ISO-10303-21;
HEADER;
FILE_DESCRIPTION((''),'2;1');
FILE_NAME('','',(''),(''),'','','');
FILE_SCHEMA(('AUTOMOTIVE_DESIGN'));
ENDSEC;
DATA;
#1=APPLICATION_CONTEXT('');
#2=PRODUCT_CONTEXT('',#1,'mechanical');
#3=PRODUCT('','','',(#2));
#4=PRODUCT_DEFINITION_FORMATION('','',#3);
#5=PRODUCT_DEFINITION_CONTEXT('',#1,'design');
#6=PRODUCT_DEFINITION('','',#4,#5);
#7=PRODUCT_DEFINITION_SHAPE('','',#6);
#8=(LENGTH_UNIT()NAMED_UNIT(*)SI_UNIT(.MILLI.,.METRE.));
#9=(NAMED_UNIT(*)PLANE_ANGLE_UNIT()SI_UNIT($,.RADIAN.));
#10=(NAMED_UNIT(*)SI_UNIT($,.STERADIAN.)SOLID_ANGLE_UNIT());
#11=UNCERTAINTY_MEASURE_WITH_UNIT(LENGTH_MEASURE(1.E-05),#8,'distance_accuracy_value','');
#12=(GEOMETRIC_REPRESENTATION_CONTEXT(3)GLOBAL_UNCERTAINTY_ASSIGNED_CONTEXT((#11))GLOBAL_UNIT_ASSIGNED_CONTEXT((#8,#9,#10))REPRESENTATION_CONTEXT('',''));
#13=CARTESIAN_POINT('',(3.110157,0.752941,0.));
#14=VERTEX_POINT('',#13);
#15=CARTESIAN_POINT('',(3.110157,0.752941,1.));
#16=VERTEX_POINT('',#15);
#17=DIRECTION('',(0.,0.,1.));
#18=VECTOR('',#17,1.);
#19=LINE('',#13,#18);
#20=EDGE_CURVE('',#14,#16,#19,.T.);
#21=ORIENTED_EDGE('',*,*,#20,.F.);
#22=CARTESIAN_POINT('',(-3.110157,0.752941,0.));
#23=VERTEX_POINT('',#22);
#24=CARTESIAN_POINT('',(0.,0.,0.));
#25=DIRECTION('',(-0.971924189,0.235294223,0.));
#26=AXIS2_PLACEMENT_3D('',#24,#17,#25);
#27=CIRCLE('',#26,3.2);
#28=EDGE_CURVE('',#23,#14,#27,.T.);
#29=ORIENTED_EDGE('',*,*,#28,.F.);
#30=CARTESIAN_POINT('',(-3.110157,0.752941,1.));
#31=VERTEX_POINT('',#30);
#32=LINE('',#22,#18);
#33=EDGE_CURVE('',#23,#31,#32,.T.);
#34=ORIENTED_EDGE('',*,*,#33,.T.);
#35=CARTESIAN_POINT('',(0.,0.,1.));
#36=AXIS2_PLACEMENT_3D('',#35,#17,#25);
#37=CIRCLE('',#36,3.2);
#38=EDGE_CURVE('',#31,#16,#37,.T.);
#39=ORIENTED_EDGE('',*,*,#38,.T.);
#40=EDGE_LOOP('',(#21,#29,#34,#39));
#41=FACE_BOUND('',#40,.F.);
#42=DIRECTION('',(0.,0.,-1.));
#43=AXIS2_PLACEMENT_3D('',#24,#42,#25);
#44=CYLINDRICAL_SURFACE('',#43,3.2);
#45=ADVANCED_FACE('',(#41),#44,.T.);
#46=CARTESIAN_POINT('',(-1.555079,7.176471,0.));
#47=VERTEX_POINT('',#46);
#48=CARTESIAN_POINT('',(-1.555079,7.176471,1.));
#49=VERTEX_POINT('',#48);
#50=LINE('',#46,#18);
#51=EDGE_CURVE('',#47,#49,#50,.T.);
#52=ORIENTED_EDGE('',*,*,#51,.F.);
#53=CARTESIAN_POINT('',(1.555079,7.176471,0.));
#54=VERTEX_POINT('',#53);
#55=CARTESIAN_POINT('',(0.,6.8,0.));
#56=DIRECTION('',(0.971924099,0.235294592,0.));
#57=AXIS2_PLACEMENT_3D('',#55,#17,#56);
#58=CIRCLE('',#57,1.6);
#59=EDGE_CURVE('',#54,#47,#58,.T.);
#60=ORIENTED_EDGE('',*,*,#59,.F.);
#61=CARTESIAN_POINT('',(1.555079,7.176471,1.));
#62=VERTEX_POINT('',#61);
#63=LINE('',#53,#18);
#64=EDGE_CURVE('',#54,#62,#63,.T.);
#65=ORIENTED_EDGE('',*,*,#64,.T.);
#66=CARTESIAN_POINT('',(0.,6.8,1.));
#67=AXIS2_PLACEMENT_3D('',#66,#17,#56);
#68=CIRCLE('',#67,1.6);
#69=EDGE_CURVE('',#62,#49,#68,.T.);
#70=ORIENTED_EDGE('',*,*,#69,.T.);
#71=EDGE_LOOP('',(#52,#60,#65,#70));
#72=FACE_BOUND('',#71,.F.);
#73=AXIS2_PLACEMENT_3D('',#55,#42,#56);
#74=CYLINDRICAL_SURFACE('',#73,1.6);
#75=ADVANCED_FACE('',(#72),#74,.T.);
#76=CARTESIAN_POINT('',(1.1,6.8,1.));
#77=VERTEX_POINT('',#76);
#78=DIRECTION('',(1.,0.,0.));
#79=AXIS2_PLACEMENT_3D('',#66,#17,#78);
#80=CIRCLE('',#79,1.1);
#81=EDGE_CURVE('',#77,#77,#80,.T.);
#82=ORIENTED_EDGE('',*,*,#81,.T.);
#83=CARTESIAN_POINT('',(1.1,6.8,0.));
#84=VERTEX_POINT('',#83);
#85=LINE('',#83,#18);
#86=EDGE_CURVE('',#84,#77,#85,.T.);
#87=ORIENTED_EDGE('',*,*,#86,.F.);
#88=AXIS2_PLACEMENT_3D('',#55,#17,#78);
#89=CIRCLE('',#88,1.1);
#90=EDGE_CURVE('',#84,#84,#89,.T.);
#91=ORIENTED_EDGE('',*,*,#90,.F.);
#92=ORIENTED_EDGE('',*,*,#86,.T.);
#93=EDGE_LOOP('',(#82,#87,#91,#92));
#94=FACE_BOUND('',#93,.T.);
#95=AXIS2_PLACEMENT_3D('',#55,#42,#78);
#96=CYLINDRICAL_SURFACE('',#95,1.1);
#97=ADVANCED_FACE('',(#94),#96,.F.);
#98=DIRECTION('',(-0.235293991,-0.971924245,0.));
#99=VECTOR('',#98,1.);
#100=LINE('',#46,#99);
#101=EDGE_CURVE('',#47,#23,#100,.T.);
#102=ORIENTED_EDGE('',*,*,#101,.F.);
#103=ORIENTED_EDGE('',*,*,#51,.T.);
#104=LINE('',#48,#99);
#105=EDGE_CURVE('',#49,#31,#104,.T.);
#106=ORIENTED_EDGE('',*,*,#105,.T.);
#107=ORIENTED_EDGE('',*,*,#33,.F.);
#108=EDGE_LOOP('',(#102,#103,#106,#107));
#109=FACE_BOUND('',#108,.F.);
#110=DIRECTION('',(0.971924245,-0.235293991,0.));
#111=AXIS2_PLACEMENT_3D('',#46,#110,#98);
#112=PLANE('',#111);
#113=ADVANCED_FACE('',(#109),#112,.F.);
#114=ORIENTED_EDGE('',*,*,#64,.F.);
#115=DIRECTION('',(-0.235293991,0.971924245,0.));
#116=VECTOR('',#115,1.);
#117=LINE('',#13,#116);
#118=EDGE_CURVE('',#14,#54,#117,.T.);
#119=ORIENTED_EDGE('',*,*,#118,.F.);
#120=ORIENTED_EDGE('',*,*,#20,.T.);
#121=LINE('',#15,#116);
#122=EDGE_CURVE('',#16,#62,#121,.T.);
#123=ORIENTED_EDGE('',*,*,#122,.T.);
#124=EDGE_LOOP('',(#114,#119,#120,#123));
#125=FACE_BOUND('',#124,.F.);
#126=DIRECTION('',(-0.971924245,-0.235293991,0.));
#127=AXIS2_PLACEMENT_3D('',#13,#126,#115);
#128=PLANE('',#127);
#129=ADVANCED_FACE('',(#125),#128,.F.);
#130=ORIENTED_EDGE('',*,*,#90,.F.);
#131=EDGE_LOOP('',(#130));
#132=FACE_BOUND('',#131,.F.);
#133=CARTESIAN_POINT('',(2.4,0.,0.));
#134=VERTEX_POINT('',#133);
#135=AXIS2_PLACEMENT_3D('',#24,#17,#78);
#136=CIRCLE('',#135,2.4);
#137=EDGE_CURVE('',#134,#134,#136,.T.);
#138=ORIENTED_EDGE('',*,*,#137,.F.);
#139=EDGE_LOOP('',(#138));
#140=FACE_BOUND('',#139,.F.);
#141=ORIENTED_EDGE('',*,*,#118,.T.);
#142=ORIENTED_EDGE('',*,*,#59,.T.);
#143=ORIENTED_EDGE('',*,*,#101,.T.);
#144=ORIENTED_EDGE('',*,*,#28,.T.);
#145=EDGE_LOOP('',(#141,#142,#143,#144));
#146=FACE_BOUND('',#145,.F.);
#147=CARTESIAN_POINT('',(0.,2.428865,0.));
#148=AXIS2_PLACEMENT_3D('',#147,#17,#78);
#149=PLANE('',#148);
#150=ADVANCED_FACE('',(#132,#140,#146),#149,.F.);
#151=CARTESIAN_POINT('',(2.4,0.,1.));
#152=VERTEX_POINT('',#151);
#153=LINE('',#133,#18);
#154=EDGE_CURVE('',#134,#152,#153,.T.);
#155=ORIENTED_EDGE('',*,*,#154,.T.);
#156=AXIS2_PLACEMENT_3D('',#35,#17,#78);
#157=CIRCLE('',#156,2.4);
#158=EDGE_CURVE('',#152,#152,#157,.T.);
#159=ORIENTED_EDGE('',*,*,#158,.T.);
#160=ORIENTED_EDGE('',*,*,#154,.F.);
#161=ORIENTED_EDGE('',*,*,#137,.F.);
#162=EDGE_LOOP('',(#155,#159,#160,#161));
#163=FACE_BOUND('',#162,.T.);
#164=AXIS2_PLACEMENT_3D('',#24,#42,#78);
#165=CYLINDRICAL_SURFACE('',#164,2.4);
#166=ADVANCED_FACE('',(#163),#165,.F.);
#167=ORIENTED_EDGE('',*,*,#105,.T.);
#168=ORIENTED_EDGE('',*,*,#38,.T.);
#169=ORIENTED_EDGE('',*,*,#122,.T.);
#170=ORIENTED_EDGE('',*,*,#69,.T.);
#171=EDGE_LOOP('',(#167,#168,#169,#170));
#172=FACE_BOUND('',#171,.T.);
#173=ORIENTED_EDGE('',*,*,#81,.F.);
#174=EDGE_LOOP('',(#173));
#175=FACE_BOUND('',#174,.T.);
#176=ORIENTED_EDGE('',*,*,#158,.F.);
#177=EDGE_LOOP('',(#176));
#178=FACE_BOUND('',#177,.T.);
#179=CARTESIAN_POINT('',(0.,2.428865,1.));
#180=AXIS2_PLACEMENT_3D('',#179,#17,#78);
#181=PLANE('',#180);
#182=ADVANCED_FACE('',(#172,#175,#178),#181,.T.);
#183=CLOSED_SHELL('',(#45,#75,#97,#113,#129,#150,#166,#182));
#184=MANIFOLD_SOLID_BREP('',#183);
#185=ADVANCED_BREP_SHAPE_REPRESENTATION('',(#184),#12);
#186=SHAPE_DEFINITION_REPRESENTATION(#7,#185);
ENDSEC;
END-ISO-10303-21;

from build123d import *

# Parameters (mm, degrees)
F0_R     = 2.4
F0_R_2   = 1.1
F1_DEPTH = 1


with BuildPart() as f1:
    # F0 (on Top) → F1 (new body)
    with BuildSketch(Plane.XY):
        with BuildLine():
            Line((3.110157, 0.752941), (1.555079, 7.176471))
            ThreePointArc((1.555079, 7.176471), (0, 8.4), (-1.555079, 7.176471))
            Line((-1.555079, 7.176471), (-3.110157, 0.752941))
            ThreePointArc((-3.110157, 0.752941), (0, -3.2), (3.110157, 0.752941))
        make_face()
        Circle(F0_R, mode=Mode.SUBTRACT)
        with Locations((0, 6.8)):
            Circle(F0_R_2, mode=Mode.SUBTRACT)
    extrude(amount=F1_DEPTH)


solid = f1.part
